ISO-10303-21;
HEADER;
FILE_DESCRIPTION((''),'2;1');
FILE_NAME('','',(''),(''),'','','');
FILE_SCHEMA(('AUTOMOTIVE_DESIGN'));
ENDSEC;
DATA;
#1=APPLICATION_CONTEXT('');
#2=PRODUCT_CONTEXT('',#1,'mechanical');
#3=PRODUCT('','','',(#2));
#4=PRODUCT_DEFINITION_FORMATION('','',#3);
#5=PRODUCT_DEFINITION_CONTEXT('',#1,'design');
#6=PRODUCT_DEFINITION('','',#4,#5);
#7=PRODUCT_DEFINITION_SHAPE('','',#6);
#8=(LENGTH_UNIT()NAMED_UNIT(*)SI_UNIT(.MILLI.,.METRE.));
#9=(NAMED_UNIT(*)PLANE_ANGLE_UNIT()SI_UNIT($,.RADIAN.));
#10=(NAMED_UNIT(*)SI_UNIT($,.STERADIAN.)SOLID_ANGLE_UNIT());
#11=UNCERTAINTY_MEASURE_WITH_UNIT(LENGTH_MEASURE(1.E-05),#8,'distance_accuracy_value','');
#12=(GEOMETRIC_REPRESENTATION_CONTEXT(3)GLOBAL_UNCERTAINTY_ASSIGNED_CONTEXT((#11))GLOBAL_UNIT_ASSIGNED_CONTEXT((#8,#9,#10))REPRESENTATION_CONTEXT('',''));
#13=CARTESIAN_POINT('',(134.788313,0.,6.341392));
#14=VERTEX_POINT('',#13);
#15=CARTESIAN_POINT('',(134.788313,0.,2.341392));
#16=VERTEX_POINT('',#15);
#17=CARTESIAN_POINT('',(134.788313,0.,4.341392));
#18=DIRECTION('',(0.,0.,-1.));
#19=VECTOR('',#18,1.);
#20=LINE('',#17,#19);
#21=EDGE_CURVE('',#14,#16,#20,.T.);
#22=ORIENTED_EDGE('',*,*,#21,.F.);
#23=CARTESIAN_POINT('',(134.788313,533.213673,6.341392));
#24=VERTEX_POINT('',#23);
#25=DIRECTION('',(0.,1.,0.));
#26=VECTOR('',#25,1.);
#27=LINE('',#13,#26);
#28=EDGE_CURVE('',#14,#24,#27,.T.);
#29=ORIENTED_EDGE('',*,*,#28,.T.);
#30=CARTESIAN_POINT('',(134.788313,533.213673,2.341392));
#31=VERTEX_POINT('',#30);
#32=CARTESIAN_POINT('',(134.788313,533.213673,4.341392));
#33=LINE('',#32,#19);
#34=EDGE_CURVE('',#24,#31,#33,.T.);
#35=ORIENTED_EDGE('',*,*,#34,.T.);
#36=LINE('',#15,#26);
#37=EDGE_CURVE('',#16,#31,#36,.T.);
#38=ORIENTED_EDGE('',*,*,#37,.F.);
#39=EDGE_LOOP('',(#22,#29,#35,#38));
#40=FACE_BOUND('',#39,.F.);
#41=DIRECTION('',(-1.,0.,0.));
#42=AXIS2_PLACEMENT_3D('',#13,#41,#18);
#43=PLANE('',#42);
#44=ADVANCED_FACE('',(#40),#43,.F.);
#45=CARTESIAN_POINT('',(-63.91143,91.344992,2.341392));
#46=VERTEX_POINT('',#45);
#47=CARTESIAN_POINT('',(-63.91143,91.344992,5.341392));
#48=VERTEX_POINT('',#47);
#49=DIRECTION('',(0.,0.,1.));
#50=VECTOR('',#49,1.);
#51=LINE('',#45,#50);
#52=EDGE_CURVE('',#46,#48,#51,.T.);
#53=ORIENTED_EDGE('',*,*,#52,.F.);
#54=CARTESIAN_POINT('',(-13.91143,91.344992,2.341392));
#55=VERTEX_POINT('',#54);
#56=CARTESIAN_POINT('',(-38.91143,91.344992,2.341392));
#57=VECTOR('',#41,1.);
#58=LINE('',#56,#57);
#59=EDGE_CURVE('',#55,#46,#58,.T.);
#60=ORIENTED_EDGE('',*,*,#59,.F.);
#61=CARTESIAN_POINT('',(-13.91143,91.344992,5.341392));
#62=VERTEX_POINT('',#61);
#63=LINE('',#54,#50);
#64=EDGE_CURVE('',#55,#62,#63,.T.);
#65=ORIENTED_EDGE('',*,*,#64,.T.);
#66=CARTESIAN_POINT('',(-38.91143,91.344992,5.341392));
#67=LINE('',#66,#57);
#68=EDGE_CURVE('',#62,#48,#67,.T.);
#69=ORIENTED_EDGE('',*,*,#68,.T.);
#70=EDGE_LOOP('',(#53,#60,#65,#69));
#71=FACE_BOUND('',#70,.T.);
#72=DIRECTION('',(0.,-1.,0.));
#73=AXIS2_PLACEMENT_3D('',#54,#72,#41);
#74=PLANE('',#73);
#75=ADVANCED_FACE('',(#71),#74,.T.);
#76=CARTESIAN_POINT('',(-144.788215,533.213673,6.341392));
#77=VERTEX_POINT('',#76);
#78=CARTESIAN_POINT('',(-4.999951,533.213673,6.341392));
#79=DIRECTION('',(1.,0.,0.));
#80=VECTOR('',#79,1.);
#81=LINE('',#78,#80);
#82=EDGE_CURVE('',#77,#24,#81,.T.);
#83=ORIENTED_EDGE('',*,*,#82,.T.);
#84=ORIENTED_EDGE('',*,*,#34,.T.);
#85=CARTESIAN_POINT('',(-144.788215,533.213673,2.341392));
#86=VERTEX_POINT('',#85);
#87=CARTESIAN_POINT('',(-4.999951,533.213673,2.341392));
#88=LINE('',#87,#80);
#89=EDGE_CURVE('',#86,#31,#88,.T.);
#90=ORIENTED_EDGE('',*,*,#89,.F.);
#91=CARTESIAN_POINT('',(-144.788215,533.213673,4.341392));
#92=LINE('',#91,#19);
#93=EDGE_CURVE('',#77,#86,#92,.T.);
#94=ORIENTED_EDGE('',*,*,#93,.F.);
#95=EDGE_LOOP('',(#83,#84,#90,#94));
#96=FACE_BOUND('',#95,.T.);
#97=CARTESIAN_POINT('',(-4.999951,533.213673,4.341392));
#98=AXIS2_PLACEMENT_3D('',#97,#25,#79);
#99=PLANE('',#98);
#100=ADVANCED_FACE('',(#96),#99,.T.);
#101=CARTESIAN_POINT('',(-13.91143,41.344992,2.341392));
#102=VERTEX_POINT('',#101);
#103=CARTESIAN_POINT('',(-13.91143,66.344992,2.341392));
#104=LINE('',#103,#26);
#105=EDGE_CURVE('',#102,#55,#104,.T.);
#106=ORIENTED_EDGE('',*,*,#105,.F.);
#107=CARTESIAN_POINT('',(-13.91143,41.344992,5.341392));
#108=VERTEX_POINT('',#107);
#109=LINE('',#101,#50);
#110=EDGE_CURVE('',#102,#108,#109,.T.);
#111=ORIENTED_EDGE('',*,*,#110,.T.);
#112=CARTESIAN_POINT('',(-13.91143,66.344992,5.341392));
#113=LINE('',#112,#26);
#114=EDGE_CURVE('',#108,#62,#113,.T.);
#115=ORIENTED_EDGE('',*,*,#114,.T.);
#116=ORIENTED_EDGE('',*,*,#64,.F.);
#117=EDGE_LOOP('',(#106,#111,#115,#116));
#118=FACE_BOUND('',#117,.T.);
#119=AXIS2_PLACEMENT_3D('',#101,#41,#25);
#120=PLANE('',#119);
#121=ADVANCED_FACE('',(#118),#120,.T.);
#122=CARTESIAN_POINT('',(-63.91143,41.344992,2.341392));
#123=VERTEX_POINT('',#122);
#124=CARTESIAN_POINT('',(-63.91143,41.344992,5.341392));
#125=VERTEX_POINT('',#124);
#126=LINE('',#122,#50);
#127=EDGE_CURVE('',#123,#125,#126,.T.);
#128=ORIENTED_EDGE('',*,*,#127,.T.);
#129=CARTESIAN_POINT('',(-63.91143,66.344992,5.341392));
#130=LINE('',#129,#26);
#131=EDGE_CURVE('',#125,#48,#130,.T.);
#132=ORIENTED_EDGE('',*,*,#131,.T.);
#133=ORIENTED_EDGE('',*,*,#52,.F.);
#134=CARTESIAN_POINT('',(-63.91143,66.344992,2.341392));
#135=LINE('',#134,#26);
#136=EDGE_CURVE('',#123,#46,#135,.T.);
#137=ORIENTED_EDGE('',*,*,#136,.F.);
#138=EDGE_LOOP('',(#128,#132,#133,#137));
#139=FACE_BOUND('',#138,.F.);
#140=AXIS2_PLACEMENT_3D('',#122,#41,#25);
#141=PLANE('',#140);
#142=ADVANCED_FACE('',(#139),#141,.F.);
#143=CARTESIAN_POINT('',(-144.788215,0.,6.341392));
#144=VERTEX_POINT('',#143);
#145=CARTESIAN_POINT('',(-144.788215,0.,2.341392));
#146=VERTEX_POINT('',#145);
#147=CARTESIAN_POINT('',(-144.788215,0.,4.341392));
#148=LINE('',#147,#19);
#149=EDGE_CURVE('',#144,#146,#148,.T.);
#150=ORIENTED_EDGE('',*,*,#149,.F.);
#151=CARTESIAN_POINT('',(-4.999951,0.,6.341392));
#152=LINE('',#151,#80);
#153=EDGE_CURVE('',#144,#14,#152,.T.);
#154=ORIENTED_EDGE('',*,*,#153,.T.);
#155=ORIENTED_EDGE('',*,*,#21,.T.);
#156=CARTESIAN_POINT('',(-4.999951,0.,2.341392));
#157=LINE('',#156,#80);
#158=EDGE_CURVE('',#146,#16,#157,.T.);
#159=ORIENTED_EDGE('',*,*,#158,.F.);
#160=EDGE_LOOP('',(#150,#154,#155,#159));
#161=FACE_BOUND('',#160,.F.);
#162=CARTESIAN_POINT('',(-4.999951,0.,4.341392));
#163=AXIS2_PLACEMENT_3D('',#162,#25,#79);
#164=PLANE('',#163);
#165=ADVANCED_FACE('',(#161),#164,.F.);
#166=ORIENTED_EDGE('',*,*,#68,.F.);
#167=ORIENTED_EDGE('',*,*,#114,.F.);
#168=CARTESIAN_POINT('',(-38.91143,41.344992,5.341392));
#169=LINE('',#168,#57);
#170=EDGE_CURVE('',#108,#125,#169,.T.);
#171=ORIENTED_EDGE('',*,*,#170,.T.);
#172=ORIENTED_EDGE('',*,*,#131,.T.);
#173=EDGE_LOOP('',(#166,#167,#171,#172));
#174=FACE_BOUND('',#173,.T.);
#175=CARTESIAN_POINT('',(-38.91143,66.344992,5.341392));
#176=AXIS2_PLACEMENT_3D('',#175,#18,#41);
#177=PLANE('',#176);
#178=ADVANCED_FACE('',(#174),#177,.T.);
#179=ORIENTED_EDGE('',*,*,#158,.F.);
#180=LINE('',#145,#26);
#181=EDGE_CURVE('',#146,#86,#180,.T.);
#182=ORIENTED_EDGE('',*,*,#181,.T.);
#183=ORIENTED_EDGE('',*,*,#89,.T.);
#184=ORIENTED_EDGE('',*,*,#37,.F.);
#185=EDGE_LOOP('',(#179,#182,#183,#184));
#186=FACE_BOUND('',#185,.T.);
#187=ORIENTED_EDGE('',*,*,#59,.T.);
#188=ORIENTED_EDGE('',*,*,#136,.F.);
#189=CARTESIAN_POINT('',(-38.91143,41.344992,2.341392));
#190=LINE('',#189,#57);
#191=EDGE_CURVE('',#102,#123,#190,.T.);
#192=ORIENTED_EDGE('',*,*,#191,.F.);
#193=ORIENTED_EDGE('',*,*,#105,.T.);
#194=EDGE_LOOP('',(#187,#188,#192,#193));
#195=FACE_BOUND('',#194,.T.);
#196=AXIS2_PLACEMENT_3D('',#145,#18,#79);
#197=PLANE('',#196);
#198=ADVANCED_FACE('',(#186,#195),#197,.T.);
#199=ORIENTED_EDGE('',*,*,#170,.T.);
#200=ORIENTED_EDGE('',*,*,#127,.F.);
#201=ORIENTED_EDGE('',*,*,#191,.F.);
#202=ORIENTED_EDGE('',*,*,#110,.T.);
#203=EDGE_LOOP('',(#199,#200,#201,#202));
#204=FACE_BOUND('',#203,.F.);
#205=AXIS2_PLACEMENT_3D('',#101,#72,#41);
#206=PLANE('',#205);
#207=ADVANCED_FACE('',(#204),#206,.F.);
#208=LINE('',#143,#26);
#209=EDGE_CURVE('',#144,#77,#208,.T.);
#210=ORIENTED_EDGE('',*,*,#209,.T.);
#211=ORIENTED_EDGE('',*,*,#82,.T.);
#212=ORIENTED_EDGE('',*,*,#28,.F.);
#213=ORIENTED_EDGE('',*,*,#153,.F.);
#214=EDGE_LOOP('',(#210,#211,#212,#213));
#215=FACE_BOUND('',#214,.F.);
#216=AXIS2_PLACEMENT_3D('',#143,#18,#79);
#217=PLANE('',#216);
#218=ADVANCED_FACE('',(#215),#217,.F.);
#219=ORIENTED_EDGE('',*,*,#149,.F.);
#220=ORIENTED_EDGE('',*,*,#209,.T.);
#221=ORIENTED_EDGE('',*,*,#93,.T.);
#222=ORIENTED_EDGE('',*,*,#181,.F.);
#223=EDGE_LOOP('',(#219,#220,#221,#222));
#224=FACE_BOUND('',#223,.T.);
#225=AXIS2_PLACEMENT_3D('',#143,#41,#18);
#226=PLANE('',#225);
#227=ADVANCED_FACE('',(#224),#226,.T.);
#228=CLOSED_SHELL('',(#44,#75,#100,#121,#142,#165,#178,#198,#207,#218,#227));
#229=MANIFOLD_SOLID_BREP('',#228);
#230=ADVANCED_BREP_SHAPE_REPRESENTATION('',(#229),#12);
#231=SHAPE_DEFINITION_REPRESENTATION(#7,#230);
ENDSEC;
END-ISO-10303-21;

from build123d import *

# Parameters (mm, degrees)
SKETCH_1_W          = 279.576527547
SKETCH_1_H          = 4
EXTRUDE_1_DEPTH     = 533.213673317
SKETCH_2_W          = 50
SKETCH_2_H          = 50
CUT_EXTRUDE_1_DEPTH = 3


with BuildPart() as part:
    # Эскиз1 → Вытянуть1 (new body)
    with BuildSketch(Plane(origin=(0, 0, 0), x_dir=(1, 0, 0), z_dir=(0, 1, 0))):
        with Locations((-4.999950783, -4.341392103)):
            Rectangle(SKETCH_1_W, SKETCH_1_H)
    extrude(amount=EXTRUDE_1_DEPTH)

    # Эскиз2 → Вырез-Вытянуть1 (cut)
    with BuildSketch(Plane(origin=(0, 0, 2.341392103), x_dir=(-1, 0, 0), z_dir=(0, 0, -1))):
        with Locations((38.911430126, 66.344991557)):
            Rectangle(SKETCH_2_W, SKETCH_2_H)
    extrude(amount=-CUT_EXTRUDE_1_DEPTH, mode=Mode.SUBTRACT)


solid = part.part
